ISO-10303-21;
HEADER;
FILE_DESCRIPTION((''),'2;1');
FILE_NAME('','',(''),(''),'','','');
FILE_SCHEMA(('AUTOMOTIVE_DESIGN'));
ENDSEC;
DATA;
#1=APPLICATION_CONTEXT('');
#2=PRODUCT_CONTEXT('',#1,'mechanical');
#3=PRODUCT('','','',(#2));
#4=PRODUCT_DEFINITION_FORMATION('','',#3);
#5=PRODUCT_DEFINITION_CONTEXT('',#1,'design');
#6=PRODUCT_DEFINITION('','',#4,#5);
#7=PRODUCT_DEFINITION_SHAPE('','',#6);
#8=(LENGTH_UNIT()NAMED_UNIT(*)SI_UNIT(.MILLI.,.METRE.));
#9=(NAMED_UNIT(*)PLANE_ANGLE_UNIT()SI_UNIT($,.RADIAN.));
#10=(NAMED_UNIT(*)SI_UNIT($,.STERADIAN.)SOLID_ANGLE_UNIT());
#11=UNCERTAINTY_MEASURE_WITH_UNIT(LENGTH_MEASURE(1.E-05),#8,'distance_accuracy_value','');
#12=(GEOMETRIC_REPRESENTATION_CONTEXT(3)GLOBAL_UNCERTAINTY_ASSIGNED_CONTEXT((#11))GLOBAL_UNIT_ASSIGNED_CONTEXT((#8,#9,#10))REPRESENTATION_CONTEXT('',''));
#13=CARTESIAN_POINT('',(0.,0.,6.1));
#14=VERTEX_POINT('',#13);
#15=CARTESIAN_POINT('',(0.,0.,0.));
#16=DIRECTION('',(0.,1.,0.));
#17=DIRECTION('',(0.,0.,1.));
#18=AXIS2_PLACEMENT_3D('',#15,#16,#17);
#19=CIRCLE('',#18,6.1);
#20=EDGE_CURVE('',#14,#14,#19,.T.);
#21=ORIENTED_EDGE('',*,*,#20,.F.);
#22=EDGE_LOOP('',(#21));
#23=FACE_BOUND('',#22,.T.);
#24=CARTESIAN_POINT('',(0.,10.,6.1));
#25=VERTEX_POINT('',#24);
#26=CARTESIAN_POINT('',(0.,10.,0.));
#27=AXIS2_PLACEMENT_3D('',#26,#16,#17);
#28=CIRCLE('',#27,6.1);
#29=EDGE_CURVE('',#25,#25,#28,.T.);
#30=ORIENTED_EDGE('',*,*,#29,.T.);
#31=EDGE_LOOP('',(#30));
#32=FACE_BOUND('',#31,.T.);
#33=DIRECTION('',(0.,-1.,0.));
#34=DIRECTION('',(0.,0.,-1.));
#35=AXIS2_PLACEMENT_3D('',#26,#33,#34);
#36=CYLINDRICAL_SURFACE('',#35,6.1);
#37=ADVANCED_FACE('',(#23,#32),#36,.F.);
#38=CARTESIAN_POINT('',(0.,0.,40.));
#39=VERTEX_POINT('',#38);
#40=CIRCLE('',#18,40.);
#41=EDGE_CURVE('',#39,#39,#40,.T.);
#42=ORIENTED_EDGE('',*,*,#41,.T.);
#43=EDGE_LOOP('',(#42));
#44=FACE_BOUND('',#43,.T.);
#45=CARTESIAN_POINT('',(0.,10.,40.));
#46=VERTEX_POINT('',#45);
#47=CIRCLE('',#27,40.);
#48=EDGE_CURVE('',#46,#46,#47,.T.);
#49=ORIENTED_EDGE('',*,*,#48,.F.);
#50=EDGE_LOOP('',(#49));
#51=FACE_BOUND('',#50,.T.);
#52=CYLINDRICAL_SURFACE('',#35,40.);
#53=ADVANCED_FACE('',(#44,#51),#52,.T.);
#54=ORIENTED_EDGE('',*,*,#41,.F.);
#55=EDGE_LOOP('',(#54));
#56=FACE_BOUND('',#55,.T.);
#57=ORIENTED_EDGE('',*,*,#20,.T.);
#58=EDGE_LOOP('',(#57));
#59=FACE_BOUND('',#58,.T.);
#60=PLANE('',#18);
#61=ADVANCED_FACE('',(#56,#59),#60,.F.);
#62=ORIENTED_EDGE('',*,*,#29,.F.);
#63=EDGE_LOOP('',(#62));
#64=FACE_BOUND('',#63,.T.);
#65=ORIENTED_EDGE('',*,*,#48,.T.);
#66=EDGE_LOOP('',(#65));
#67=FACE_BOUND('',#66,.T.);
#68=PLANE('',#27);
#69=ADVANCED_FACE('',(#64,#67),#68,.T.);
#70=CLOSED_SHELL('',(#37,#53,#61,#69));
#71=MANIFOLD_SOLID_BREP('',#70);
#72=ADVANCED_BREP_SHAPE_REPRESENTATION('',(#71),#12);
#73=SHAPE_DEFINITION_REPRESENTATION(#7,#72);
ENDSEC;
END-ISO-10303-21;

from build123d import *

# Parameters (mm, degrees)
SKETCH_1_R      = 40
SKETCH_1_R_2    = 6.1
EXTRUDE_1_DEPTH = 10


with BuildPart() as part:
    # Эскиз1 → Бобышка-Вытянуть1 (new body)
    with BuildSketch(Plane(origin=(0, 0, 0), x_dir=(1, 0, 0), z_dir=(0, 1, 0))):
        with Locations(Location((0, 0, 0), (0, 0, 270))):
            Circle(SKETCH_1_R)
        with Locations(Location((0, 0, 0), (0, 0, 270))):
            Circle(SKETCH_1_R_2, mode=Mode.SUBTRACT)
    extrude(amount=EXTRUDE_1_DEPTH)


solid = part.part
